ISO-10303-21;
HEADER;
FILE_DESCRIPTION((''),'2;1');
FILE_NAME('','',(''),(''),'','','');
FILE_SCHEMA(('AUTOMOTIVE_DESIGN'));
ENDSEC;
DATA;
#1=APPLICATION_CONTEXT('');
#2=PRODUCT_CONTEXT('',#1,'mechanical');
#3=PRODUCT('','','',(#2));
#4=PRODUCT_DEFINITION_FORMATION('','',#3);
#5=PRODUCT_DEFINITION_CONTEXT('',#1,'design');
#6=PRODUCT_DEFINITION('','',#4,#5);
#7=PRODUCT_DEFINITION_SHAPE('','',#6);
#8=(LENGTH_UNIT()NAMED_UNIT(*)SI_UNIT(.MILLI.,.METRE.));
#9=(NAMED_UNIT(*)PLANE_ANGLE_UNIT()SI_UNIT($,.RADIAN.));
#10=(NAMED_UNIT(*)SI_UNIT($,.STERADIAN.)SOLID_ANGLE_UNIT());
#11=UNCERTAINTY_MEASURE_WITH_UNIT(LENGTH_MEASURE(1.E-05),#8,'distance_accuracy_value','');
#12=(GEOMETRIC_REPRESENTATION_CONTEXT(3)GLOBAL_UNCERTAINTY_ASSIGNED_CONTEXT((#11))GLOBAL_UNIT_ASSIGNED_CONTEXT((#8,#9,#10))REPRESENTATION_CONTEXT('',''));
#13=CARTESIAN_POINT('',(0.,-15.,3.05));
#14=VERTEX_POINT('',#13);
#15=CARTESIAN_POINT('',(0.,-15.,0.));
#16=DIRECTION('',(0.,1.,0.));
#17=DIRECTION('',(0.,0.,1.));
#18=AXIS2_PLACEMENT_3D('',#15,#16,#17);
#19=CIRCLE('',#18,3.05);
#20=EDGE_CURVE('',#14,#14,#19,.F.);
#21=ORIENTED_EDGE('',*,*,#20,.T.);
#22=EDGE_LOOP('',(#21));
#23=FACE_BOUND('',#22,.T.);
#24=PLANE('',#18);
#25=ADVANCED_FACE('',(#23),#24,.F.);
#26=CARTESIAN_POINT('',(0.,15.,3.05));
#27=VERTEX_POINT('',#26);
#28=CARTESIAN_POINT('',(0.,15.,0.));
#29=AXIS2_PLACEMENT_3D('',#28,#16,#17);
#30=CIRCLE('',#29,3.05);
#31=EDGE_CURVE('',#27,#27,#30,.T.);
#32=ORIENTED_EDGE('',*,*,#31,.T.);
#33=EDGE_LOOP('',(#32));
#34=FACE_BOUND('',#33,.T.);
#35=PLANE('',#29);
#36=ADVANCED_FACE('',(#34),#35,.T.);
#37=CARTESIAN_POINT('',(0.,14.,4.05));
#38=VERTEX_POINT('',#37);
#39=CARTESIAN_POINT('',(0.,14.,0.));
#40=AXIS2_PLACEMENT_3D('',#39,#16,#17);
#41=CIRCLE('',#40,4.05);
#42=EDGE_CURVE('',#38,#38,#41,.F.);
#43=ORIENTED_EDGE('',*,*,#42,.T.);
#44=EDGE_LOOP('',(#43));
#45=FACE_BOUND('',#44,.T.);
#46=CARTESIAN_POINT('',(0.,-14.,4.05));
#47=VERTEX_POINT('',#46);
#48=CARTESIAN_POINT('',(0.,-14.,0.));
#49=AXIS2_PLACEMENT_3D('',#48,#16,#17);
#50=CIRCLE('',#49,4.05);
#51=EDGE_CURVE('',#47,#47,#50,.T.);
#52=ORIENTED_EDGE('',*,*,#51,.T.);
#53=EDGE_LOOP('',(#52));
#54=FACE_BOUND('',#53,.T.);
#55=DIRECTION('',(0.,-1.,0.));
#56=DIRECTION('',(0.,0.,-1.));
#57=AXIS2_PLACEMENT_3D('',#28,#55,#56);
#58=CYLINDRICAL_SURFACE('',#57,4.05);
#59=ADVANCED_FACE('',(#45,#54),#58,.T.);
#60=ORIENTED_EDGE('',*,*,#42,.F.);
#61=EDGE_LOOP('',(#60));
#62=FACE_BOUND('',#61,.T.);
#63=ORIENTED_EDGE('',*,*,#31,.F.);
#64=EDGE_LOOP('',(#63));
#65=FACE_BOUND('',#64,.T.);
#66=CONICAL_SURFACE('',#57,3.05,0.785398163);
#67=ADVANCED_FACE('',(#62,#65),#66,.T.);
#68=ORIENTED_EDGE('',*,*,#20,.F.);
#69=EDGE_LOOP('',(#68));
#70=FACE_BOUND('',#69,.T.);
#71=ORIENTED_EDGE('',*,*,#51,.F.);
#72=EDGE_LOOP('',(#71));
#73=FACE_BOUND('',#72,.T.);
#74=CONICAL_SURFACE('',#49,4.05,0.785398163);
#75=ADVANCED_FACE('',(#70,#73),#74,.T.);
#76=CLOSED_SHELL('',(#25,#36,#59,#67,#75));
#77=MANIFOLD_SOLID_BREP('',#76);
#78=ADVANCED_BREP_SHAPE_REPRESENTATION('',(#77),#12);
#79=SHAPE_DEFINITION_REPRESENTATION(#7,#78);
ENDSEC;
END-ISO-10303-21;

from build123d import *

# Parameters (mm, degrees)
SKETCH1_R           = 4.05
BOSS_EXTRUDE1_DEPTH = 15
CHAMFER1_SIZE       = 1


with BuildPart() as part:
    # Sketch1 → Boss-Extrude1 (new body, symmetric)
    with BuildSketch(Plane(origin=(0, 0, 0), x_dir=(1, 0, 0), z_dir=(0, 1, 0))):
        Circle(SKETCH1_R)
    extrude(amount=BOSS_EXTRUDE1_DEPTH, both=True)

    # Chamfer1
    chamfer1_edges = [part.edges().sort_by_distance(p)[0] for p in [
        (-4.05, -15, 0),
        (-4.05, 15, 0),
    ]]
    chamfer(chamfer1_edges, length=CHAMFER1_SIZE)


solid = part.part
